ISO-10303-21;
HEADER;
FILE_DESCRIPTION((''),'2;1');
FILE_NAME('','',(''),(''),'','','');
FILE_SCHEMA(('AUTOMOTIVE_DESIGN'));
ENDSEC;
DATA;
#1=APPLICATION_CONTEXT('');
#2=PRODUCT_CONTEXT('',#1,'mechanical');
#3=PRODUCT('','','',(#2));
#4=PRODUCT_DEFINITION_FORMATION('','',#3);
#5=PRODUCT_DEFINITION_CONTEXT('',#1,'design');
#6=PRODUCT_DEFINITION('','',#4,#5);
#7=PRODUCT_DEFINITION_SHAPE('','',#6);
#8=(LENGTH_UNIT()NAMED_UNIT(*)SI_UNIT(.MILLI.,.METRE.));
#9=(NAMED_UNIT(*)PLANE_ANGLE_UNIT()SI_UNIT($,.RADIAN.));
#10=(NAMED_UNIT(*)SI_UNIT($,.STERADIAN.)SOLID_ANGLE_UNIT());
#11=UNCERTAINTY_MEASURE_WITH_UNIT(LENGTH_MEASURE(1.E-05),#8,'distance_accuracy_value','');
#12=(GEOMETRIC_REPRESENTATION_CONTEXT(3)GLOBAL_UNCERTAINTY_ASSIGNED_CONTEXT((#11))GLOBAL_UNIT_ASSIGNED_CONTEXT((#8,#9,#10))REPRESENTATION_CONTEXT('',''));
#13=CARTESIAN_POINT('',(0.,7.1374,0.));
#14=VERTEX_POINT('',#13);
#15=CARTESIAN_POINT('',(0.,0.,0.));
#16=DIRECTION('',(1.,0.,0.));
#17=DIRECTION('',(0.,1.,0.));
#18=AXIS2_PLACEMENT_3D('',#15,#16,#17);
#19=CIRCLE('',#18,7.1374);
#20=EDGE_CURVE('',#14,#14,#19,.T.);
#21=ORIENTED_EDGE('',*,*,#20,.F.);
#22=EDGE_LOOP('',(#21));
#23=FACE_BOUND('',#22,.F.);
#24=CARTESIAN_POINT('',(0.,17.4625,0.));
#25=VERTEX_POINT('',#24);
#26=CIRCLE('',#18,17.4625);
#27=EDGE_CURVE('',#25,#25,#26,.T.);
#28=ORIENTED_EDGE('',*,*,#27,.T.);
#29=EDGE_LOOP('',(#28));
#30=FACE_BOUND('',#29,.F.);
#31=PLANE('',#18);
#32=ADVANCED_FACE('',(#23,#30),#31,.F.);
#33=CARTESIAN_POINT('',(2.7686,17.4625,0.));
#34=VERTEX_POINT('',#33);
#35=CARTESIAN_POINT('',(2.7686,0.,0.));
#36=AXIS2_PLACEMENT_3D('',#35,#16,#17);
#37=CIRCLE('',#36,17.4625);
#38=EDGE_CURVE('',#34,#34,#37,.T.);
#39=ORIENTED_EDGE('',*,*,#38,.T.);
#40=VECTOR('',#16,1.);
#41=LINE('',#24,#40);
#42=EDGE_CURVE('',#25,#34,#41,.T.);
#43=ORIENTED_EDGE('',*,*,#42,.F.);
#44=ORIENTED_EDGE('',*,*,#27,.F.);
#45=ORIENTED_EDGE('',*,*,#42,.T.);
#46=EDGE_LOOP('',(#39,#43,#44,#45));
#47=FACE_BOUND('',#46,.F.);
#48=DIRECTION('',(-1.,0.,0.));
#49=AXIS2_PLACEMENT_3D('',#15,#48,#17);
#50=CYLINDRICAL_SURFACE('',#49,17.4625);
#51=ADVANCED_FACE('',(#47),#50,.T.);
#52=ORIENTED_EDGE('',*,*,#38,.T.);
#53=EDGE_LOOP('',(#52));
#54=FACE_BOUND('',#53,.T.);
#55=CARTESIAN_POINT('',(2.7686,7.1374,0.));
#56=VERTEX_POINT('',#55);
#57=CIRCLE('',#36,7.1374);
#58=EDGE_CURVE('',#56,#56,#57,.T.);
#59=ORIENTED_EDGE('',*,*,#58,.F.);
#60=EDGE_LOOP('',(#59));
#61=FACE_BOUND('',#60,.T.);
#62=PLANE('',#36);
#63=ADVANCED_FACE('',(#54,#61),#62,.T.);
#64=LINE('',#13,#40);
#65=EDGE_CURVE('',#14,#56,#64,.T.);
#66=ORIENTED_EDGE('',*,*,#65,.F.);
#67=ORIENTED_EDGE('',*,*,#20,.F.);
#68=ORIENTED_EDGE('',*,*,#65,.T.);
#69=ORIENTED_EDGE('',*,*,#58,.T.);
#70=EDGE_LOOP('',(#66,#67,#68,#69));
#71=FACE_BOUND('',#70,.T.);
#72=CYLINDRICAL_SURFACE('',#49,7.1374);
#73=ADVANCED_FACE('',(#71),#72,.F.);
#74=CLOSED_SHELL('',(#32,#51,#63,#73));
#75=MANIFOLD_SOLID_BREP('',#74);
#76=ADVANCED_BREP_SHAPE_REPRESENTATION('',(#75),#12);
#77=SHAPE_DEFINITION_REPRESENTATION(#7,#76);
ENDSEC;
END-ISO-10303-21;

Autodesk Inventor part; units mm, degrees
ref_plane "YZ Plane" through (0, 0, 0) normal (1, 0, 0) x (0, 1, 0)
ref_plane "XZ Plane" through (0, 0, 0) normal (0, 1, 0) x (-1, 0, 0)
sketch "Sketch" plane through (0, 0, 0) normal (1, 0, 0) x (0, 1, 0)
  circle A0 centre (0, 0) radius 17.4625
  circle A1 centre (0, 0) radius 7.1374
  dimension "d0" = 14.2748
  dimension "d1" = 34.925
extrude "Body" add sketch "Sketch" along normal blind 2.7686
ref_plane "Work Plane1" through (0, 0, 0) normal (0, 0, 1) x (1, 0, 0)
equation "\"d0\" = SD1"
equation "\"d1\" = SD2"
equation "\"d2\" = SD"
equation "\"SD1\" = 14.2748"
equation "\"SD2\" = 34.925"
equation "\"SD\" = 2.7686"
equation "\"NND\" = 12.7"
properties part number "ANSI B18.22.1 - 1/2 - wide - Type A" material "Steel, Mild"
